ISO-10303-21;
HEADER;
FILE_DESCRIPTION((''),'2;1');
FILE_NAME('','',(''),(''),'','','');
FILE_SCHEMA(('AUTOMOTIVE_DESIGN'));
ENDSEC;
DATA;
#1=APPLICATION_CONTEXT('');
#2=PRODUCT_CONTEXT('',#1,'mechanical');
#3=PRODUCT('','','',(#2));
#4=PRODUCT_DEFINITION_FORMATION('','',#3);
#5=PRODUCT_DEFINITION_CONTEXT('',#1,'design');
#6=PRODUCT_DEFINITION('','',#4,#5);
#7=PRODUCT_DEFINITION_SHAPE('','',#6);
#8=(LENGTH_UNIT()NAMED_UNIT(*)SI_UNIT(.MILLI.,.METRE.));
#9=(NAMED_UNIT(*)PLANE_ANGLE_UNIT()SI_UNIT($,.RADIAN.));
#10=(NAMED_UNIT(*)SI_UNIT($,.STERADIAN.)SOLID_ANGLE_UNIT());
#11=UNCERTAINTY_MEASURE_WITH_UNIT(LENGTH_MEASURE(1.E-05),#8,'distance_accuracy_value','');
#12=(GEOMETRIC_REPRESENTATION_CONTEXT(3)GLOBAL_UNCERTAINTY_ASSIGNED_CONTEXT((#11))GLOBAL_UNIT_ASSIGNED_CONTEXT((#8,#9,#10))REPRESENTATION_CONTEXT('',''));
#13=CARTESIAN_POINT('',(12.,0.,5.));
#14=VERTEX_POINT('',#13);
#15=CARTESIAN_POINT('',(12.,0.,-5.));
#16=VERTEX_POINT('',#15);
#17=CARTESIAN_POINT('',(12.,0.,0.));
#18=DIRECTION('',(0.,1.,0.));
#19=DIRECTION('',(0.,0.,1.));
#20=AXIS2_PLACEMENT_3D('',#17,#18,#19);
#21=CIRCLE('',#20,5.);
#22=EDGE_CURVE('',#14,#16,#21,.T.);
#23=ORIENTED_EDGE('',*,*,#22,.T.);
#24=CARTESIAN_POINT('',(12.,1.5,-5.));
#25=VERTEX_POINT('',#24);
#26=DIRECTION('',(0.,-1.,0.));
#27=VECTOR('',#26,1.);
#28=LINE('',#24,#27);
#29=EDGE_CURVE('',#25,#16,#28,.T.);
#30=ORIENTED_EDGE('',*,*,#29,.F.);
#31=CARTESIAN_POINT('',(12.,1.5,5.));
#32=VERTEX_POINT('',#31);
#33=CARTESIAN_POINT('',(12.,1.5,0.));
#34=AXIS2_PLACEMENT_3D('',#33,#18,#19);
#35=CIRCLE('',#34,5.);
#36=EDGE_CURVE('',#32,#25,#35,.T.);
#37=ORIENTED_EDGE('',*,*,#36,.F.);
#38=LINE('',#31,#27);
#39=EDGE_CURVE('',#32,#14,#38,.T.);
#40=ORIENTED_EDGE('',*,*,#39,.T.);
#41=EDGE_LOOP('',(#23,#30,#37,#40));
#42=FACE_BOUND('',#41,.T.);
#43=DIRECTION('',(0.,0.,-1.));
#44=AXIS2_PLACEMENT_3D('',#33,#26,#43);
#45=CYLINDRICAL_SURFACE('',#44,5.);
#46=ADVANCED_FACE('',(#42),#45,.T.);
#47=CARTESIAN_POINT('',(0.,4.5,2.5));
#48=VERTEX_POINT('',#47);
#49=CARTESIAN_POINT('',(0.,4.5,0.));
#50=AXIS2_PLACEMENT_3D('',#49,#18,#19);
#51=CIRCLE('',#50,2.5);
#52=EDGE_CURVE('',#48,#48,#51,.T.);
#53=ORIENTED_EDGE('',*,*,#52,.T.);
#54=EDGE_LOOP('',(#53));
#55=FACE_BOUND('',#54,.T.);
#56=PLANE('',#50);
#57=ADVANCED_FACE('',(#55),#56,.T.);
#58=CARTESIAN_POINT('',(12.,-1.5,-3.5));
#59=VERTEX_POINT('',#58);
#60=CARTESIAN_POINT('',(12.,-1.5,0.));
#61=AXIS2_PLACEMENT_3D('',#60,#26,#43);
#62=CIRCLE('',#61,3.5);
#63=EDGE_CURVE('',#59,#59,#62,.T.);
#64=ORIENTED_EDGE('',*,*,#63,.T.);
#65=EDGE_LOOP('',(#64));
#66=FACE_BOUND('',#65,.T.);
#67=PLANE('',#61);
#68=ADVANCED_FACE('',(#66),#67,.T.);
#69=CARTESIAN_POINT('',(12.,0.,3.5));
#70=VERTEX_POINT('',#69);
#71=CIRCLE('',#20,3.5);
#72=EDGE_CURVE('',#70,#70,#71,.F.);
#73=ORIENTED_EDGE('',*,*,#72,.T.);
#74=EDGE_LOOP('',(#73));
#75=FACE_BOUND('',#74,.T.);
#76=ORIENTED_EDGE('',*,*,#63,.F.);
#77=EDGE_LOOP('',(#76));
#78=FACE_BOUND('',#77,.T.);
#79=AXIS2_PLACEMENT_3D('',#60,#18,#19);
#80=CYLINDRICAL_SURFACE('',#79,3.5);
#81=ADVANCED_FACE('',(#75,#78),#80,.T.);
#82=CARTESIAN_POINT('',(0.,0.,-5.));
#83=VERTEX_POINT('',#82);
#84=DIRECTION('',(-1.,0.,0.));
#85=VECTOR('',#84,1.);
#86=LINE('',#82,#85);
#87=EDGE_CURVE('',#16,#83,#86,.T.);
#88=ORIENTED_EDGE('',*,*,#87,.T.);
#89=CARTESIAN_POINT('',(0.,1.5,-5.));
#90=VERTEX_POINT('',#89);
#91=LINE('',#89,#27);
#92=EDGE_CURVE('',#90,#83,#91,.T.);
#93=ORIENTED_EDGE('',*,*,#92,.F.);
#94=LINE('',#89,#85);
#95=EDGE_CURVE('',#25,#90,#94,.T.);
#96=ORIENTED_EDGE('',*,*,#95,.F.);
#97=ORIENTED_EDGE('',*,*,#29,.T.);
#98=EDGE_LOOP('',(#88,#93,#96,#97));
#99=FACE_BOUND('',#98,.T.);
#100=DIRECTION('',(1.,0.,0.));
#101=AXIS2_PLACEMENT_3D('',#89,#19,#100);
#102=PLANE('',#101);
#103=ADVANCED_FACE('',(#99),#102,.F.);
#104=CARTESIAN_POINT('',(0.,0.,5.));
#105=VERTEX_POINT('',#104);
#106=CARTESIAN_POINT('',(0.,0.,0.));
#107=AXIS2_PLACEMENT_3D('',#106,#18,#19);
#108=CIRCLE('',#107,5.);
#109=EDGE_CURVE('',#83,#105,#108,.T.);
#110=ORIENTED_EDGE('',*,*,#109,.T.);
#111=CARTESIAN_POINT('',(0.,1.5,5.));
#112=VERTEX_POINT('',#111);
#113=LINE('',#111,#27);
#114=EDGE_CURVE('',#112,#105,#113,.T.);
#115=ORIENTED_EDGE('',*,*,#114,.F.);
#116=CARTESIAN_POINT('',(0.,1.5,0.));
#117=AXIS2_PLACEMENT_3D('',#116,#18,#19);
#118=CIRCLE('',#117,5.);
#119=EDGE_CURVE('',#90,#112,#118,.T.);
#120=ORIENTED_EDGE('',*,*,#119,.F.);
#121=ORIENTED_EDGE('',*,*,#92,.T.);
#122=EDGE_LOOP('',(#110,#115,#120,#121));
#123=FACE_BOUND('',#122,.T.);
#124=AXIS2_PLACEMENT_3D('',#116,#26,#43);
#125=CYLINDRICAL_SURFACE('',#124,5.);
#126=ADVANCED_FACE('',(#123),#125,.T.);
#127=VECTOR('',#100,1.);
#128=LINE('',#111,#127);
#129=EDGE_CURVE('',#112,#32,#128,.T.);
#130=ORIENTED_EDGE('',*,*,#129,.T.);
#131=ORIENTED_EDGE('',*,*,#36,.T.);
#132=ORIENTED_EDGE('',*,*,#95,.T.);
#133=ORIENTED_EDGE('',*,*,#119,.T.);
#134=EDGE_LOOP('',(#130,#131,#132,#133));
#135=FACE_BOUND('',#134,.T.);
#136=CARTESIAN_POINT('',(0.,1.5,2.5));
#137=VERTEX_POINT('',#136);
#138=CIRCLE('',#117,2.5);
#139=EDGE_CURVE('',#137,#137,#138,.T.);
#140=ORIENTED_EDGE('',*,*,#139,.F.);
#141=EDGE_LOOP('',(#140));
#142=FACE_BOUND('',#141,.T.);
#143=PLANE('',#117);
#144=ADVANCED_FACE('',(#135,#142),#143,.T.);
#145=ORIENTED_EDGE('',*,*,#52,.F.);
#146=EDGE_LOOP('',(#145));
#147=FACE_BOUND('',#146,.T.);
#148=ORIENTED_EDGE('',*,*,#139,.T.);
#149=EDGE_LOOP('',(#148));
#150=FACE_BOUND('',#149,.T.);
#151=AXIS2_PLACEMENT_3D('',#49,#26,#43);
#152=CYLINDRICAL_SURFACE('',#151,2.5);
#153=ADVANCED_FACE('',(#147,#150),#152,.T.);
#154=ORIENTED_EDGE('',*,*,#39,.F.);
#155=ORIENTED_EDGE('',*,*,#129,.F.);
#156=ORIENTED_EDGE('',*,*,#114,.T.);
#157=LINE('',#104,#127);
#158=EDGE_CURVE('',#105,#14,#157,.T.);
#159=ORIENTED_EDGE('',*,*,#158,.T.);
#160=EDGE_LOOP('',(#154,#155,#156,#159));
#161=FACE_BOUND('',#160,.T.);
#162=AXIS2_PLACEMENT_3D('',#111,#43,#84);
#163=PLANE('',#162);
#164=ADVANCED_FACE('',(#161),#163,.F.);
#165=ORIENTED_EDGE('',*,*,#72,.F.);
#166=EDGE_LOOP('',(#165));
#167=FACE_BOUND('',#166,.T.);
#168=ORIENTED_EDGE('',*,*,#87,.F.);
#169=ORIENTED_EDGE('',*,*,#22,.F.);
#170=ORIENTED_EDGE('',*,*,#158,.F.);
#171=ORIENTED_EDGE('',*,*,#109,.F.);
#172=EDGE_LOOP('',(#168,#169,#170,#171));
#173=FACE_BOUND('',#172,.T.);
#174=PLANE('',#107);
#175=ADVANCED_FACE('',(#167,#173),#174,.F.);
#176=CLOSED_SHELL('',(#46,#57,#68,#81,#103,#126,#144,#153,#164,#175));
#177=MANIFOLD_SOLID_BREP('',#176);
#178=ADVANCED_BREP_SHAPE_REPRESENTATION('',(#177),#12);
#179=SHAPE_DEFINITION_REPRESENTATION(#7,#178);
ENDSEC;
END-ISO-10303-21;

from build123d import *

# Parameters (mm, degrees)
EXTRUDE_1_DEPTH = 1.5
SKETCH_2_R      = 3.5
EXTRUDE_2_DEPTH = 1.5
SKETCH_3_R      = 2.5
EXTRUDE_3_DEPTH = 3


with BuildPart() as part:
    # 草图1 → 凸台-拉伸1 (new body)
    with BuildSketch(Plane(origin=(0, 0, 0), x_dir=(1, 0, 0), z_dir=(0, 1, 0))):
        with BuildLine():
            Line((0, 5), (12, 5))
            ThreePointArc((12, 5), (17, 0), (12, -5))
            Line((12, -5), (0, -5))
            ThreePointArc((0, -5), (-5, 0), (0, 5))
        make_face()
    extrude(amount=EXTRUDE_1_DEPTH)

    # 草图2 → 凸台-拉伸2 (add)
    with BuildSketch(Plane.XZ):
        with Locations(Location((12, 0, 0), (0, 0, 90))):
            Circle(SKETCH_2_R)
    extrude(amount=EXTRUDE_2_DEPTH)

    # 草图3 → 凸台-拉伸3 (add)
    with BuildSketch(Plane(origin=(0, 1.5, 0), x_dir=(1, 0, 0), z_dir=(0, 1, 0))):
        with Locations(Location((0, 0, 0), (0, 0, 270))):
            Circle(SKETCH_3_R)
    extrude(amount=EXTRUDE_3_DEPTH)


solid = part.part
